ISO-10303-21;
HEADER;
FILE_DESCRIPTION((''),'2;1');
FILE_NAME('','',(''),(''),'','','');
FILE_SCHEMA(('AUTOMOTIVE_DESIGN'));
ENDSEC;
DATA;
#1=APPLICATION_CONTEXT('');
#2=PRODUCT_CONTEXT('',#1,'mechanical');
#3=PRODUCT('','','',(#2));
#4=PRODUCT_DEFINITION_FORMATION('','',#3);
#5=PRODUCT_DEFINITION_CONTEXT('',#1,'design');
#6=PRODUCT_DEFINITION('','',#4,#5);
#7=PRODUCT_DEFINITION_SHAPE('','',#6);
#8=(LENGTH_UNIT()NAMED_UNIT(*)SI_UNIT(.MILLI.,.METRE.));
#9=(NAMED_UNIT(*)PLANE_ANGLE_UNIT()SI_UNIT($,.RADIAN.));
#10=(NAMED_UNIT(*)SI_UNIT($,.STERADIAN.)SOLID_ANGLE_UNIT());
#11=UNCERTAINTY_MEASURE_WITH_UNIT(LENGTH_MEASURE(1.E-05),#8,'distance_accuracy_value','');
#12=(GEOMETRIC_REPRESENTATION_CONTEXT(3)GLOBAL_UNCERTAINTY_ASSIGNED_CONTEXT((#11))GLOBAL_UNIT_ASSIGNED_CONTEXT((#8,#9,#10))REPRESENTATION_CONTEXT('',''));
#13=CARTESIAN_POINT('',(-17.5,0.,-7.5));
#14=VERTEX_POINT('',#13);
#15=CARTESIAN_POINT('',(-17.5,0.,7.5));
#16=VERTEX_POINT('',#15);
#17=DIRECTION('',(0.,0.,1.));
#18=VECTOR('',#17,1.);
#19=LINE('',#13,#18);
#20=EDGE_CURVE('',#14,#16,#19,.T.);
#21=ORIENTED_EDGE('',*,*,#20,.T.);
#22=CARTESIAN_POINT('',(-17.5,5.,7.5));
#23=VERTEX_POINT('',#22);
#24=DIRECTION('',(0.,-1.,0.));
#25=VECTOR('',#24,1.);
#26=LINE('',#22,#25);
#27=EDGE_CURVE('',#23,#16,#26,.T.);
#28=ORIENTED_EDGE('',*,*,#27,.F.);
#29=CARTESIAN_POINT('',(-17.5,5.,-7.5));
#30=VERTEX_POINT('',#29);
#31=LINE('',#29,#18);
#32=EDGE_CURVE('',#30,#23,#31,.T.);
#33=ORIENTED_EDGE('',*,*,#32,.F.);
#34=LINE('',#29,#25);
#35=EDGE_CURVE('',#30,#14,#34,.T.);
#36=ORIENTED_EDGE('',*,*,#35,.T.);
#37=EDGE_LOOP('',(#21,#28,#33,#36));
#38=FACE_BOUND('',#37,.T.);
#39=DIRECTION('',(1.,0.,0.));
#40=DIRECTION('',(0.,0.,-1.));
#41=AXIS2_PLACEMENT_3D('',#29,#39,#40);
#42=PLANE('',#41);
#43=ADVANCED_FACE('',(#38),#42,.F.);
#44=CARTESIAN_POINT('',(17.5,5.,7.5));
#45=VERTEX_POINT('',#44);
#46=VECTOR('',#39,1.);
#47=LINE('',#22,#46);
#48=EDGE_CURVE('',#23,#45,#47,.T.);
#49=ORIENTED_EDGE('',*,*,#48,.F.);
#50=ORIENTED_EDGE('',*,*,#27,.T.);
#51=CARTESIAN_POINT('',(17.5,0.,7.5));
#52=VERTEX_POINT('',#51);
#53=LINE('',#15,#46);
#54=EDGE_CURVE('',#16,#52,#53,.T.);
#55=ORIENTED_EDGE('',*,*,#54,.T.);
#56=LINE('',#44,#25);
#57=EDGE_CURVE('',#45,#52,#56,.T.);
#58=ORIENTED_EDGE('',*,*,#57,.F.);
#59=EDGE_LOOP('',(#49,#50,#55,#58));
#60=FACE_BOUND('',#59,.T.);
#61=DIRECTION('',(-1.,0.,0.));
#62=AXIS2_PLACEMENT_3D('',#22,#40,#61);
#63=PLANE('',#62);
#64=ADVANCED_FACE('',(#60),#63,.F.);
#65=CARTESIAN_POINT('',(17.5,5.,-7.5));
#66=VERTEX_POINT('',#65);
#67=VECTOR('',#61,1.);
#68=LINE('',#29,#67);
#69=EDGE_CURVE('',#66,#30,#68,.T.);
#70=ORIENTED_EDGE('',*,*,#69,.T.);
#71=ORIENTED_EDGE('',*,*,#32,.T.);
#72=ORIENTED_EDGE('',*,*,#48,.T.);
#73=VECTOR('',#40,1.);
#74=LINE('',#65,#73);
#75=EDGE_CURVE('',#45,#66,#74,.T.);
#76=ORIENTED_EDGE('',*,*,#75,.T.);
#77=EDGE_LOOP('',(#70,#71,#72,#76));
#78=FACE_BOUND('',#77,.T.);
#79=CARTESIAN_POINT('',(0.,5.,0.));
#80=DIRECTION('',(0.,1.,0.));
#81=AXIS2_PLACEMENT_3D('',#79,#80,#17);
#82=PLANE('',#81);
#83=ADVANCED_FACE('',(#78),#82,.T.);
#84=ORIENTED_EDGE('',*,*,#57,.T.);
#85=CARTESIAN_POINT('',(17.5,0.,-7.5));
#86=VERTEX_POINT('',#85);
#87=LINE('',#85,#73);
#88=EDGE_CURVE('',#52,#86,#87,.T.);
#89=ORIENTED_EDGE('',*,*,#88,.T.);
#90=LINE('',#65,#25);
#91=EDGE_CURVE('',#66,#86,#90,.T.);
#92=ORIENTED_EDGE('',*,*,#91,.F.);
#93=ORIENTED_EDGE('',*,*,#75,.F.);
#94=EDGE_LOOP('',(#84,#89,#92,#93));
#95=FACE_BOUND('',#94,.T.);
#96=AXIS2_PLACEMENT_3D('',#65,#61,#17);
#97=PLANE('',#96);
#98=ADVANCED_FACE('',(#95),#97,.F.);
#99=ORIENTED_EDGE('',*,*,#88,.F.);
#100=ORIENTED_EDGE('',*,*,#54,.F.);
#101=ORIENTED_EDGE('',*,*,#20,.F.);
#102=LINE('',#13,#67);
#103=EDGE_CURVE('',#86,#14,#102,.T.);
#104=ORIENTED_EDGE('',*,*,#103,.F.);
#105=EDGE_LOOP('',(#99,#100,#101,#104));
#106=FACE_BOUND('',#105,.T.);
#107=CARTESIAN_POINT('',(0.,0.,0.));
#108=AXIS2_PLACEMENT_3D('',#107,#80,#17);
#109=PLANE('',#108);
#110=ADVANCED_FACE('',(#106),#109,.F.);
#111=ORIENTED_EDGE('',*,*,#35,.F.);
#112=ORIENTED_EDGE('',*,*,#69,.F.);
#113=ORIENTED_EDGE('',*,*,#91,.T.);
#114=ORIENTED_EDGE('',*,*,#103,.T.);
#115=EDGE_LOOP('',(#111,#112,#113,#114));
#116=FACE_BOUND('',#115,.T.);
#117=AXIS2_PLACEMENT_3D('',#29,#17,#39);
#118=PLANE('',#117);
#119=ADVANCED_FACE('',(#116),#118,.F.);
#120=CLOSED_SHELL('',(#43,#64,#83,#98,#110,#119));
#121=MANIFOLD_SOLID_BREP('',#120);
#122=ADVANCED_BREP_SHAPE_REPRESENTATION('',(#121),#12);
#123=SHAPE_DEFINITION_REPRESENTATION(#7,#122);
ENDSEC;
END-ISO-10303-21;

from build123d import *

# Parameters (mm, degrees)
SKETCH2_W           = 35
SKETCH2_H           = 15
BOSS_EXTRUDE1_DEPTH = 5


with BuildPart() as part:
    # Sketch2 → Boss-Extrude1 (new body)
    with BuildSketch(Plane(origin=(0, 0, 0), x_dir=(1, 0, 0), z_dir=(0, 1, 0))):
        Rectangle(SKETCH2_W, SKETCH2_H)
    extrude(amount=BOSS_EXTRUDE1_DEPTH)


solid = part.part
